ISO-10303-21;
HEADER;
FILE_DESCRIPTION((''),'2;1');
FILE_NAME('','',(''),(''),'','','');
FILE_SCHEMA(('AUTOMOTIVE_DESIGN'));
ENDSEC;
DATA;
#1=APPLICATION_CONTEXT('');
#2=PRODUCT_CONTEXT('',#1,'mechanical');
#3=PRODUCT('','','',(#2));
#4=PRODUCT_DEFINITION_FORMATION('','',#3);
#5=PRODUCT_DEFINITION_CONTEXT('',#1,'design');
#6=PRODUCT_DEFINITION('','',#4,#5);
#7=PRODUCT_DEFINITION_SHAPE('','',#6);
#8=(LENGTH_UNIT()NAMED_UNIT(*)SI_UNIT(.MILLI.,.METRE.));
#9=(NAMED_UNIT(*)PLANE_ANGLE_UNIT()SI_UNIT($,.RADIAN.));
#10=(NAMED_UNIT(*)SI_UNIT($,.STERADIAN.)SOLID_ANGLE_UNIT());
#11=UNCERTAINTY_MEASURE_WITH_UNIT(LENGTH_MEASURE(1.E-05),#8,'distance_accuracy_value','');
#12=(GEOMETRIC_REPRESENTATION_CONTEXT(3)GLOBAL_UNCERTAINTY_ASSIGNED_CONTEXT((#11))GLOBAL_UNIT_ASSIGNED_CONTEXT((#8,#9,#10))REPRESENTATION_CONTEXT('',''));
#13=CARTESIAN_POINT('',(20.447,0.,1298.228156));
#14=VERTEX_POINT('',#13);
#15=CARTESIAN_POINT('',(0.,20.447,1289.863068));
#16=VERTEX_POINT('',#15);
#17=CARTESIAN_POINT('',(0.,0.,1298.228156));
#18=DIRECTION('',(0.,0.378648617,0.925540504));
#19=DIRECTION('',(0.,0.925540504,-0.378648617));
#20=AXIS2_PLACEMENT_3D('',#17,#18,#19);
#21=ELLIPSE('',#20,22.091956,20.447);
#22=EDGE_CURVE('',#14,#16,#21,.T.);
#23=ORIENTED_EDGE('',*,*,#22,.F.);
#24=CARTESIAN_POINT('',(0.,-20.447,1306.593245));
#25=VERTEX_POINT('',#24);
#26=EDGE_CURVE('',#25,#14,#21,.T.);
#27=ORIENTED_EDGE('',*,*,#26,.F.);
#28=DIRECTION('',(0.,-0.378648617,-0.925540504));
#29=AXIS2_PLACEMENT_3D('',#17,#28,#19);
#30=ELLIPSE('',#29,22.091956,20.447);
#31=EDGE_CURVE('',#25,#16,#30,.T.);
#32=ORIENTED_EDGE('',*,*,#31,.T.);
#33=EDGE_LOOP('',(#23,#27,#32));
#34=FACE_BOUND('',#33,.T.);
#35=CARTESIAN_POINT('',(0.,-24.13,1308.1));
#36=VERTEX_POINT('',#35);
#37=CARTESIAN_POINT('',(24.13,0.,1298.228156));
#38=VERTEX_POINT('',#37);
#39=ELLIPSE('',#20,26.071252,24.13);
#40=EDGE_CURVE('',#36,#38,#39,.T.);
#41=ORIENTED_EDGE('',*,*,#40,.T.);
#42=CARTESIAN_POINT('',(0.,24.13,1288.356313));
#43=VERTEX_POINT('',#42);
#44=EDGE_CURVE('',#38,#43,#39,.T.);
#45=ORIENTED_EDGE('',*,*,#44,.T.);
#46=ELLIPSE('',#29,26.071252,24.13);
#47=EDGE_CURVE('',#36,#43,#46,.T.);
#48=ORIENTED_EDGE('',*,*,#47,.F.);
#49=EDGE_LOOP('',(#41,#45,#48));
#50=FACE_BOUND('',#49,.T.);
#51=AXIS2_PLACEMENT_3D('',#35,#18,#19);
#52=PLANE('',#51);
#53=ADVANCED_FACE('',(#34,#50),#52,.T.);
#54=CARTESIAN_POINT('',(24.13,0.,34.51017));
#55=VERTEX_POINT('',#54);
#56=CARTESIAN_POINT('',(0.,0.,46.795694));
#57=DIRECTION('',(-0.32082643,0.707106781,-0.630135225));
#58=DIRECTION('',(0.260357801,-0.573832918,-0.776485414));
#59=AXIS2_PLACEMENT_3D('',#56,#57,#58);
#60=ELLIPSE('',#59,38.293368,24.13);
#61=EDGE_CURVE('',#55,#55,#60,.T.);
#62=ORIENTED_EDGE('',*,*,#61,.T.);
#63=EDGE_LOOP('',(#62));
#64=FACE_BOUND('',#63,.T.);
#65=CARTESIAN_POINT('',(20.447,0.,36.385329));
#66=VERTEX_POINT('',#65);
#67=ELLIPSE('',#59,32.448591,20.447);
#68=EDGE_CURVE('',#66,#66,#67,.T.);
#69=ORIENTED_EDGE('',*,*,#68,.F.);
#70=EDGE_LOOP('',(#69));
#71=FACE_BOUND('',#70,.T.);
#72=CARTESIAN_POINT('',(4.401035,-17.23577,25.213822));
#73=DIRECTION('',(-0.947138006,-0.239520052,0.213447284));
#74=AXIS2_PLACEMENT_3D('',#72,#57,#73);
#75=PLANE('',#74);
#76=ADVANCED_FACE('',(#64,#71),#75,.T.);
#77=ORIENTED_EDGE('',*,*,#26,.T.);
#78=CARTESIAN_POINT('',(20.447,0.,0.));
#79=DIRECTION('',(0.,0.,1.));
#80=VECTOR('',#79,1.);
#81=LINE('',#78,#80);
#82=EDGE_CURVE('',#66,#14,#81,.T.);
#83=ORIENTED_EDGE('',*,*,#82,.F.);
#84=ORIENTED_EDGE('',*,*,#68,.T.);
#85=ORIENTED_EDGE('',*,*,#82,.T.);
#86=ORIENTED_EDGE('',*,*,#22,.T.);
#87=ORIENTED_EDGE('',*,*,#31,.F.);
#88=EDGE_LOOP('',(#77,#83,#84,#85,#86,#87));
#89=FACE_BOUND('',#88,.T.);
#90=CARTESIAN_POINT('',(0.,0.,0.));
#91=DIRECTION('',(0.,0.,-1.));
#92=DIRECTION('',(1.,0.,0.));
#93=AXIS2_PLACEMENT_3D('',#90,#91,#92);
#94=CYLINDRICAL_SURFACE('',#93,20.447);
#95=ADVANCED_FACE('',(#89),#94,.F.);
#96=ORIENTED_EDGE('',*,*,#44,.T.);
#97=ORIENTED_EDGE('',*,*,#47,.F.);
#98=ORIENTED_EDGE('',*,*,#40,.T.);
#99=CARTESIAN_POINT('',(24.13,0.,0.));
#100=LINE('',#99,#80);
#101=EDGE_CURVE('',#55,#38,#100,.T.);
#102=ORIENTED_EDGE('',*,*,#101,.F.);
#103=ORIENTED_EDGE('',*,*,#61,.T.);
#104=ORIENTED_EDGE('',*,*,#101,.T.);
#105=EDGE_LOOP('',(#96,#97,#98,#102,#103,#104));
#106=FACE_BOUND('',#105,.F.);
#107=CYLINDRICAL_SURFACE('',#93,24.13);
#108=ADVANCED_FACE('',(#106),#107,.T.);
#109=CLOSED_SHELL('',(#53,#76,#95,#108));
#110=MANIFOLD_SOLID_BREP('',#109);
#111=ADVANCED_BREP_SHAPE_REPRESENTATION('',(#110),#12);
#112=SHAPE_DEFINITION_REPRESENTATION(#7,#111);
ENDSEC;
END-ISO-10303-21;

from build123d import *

# Parameters (mm, degrees)
F0_R          = 24.13
F0_R_2        = 20.447
F1_DEPTH      = 1308.1
F3_DEPTH      = 24.131
F3_DEPTH_BACK = 24.131
F5_DEPTH      = 24.131
F5_DEPTH_BACK = 24.131
F8_W          = 178.4191885963
F8_H          = 167.3920117319
F9_DEPTH      = 50.8
F9_DEPTH_BACK = 20.32


with BuildPart() as f1:
    # F0 (on Top) → F1 (new body)
    with BuildSketch(Plane.XY):
        Circle(F0_R)
        Circle(F0_R_2, mode=Mode.SUBTRACT)
    extrude(amount=F1_DEPTH)

    # F2 (on Right) → F3 (cut, two sides)
    with BuildSketch(Plane.YZ) as f3_sk:
        Polygon((24.13, 1288.3563127231), (24.13, 1308.1), (-24.13, 1308.1), align=None)
    extrude(amount=-F3_DEPTH, mode=Mode.SUBTRACT)
    extrude(f3_sk.sketch, amount=F3_DEPTH_BACK, mode=Mode.SUBTRACT)

    # F4 (on Front) → F5 (cut, two sides)
    with BuildSketch(Plane.XZ) as f5_sk:
        Polygon((-28.575, 0), (28.575, 0), (-28.575, 29.0972948719), align=None)
    extrude(amount=F5_DEPTH, mode=Mode.SUBTRACT)
    extrude(f5_sk.sketch, amount=-F5_DEPTH_BACK, mode=Mode.SUBTRACT)

    # F8 (on line) → F9 (cut, two sides)
    with BuildSketch(Plane(origin=(2.9412132624, -6.4824828952, 5.7768372862), x_dir=(-0.9471380058, -0.2395200516, 0.2134472836), z_dir=(-0.3208264297, 0.7071067812, -0.6301352252))) as f9_sk:
        with Locations((5.3417463787, 7.3568988591)):
            Rectangle(F8_W, F8_H)
    extrude(amount=F9_DEPTH, mode=Mode.SUBTRACT)
    extrude(f9_sk.sketch, amount=-F9_DEPTH_BACK, mode=Mode.SUBTRACT)


solid = f1.part
